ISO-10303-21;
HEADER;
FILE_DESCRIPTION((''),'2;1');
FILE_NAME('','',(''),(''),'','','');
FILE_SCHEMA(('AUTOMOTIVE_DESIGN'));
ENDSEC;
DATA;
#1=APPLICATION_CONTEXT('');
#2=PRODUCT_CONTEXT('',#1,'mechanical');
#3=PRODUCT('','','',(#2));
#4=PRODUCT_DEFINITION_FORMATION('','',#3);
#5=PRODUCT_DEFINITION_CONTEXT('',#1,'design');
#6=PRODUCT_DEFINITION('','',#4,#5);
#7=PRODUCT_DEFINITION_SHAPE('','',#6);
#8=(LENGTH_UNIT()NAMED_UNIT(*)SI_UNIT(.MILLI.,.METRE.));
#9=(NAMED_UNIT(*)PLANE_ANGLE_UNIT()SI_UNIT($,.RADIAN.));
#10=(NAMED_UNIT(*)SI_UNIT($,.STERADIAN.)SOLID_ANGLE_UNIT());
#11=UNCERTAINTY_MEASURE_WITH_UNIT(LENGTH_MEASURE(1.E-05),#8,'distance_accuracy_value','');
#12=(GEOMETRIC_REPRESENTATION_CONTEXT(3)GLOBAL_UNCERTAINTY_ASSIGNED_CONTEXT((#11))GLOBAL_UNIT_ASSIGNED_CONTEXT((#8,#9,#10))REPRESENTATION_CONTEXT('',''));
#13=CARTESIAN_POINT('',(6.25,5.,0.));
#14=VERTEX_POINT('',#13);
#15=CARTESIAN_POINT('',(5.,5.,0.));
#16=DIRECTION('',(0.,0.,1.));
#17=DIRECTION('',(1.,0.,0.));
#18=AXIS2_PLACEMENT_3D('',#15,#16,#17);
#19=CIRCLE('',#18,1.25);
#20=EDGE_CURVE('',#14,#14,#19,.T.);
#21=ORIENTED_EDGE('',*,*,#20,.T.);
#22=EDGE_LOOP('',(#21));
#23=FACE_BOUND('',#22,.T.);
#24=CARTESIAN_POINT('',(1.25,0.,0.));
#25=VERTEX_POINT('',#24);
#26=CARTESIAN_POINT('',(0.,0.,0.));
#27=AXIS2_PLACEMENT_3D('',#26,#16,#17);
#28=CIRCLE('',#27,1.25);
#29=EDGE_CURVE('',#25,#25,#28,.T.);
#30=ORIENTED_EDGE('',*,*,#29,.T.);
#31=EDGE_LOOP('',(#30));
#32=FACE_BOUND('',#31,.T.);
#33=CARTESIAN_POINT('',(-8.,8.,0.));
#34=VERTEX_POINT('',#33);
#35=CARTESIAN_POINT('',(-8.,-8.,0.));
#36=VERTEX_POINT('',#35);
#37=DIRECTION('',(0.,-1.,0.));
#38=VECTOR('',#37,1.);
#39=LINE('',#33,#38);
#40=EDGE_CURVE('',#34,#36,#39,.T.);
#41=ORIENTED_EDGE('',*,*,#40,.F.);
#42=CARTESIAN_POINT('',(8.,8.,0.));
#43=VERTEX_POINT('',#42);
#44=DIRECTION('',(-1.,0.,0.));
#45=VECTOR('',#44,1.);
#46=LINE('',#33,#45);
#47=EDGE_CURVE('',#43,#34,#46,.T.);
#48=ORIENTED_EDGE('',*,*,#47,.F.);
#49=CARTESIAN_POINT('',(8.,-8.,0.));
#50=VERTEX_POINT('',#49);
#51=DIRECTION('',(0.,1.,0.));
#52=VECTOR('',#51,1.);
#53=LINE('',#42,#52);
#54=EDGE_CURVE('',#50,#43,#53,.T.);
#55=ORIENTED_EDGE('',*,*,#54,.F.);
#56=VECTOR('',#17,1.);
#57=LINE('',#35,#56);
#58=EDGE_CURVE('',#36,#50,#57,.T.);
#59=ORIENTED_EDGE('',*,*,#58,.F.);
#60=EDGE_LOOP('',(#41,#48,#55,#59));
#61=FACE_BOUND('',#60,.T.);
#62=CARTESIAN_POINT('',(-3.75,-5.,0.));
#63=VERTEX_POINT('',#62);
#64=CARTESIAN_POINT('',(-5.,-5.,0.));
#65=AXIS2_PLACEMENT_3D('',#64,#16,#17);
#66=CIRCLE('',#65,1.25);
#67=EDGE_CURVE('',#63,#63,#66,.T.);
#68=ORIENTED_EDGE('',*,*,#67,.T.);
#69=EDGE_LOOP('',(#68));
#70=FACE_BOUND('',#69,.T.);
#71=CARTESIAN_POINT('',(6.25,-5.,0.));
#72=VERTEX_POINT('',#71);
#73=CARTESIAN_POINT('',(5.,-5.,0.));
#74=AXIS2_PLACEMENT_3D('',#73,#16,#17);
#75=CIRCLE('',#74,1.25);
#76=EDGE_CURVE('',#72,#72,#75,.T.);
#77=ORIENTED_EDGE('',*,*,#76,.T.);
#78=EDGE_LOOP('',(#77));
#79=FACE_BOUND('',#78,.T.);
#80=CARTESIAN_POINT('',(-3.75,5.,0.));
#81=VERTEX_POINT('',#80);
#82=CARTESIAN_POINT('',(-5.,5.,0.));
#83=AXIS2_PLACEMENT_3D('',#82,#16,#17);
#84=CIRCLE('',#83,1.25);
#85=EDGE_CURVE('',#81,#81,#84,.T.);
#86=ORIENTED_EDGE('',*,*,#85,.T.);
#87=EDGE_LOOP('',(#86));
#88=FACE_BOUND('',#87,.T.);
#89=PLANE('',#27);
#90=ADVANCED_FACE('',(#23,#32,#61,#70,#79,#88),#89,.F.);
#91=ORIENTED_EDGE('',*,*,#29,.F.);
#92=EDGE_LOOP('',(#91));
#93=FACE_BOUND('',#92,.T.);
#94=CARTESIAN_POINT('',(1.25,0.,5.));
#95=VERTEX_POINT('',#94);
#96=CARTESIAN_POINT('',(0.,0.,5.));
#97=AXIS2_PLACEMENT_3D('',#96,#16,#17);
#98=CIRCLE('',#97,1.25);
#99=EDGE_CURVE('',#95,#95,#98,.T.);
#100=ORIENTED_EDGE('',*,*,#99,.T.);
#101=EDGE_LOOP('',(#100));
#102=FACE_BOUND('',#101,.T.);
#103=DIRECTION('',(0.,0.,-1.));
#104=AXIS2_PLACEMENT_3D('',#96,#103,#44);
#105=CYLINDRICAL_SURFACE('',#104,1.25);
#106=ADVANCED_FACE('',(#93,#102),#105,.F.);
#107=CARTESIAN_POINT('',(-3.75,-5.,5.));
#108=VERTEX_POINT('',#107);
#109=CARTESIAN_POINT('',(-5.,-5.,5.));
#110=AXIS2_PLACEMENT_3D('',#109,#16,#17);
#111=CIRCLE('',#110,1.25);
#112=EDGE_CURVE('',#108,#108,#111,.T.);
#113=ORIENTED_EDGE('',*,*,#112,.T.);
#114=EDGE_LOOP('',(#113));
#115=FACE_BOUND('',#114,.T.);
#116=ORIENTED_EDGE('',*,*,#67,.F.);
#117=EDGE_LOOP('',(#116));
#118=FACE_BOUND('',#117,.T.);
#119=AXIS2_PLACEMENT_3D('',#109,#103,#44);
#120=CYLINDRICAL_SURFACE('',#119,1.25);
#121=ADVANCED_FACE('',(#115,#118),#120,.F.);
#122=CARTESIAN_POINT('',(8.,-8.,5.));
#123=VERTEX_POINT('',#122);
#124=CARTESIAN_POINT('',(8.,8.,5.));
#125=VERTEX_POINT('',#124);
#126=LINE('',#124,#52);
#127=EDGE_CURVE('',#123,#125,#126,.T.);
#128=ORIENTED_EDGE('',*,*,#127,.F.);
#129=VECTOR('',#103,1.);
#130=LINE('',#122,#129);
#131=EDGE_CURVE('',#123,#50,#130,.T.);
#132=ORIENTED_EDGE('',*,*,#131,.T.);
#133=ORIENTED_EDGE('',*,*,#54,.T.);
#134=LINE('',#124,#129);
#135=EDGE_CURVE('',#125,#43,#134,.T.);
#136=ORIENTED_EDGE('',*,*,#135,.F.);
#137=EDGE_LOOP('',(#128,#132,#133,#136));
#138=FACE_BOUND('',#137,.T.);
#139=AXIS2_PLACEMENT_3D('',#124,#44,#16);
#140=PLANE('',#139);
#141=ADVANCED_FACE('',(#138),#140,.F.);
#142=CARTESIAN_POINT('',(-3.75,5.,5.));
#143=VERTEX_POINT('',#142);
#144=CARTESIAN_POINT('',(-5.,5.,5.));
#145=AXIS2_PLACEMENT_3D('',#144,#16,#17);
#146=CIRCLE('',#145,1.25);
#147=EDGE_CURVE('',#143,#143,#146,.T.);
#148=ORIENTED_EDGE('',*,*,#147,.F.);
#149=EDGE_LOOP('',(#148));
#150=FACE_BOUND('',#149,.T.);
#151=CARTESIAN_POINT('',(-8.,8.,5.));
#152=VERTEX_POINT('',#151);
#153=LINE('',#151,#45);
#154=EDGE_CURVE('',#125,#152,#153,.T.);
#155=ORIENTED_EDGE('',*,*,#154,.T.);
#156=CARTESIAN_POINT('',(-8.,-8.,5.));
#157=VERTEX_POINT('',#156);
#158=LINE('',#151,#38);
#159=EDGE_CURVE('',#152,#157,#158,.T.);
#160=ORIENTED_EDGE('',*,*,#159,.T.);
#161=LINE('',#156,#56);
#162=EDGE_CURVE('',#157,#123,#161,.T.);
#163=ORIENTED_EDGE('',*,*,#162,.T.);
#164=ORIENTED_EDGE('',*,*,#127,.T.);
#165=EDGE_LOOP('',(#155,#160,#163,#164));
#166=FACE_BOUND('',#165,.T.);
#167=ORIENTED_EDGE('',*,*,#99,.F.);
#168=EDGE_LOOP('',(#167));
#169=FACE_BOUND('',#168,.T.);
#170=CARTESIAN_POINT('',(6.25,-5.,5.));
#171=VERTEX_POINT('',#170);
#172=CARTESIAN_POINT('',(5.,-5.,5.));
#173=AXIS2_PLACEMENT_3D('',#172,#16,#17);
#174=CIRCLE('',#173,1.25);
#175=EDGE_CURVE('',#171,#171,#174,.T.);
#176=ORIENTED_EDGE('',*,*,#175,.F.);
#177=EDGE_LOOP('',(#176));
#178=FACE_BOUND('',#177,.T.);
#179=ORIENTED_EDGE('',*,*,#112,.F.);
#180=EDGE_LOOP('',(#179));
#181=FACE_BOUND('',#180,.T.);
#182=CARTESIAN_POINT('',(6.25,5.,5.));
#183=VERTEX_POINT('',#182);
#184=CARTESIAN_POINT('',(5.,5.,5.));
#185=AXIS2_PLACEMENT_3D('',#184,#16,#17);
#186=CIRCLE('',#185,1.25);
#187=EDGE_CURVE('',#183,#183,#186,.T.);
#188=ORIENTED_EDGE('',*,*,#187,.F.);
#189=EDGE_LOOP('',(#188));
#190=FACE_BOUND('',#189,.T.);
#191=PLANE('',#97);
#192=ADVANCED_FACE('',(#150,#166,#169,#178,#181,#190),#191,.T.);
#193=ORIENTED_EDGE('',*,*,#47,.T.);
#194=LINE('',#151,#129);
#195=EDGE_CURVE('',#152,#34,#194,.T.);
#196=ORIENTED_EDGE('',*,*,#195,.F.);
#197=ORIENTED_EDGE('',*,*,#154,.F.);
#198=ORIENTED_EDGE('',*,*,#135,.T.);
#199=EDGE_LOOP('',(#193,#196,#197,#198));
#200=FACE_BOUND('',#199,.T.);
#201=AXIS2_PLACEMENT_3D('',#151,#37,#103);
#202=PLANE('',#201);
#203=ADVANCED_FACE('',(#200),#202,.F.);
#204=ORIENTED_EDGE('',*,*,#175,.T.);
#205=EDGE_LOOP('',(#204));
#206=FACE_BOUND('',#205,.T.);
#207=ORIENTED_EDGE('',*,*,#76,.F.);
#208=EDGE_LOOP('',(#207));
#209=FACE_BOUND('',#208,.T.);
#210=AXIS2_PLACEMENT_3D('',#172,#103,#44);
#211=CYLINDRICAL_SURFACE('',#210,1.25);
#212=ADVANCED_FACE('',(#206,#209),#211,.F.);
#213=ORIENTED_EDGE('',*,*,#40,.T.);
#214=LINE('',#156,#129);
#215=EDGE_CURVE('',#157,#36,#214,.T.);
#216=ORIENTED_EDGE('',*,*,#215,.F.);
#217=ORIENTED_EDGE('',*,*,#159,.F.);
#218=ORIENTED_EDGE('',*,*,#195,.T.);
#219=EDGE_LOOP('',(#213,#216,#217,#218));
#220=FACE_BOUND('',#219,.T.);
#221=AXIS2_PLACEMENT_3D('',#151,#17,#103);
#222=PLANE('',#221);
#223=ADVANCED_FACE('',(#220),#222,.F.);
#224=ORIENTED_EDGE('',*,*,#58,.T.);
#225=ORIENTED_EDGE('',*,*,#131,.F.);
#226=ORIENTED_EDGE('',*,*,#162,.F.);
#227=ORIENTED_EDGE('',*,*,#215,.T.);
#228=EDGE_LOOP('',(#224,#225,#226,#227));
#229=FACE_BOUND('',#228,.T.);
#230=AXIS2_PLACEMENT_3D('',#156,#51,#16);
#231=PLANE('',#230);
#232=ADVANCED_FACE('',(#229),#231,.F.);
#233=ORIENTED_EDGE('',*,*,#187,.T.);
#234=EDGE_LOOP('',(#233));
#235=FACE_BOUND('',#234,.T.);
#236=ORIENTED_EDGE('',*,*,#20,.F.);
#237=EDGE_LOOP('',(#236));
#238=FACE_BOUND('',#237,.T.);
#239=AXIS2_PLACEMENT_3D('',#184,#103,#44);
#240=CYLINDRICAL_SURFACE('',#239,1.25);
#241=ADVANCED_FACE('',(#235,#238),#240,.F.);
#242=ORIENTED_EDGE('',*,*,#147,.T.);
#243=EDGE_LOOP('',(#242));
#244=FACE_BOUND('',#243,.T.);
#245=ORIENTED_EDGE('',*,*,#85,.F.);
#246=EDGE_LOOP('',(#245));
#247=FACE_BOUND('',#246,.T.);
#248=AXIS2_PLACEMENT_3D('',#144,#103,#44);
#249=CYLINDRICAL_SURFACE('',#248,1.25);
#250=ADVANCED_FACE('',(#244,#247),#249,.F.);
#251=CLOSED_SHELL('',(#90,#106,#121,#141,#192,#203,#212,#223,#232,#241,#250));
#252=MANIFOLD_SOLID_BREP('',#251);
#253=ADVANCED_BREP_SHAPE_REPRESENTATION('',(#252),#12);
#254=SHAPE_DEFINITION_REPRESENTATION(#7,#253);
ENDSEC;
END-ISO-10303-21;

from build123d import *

# Parameters (mm, degrees)
SKETCH1_W           = 16
SKETCH1_H           = 16
SKETCH1_R           = 1.25
BOSS_EXTRUDE1_DEPTH = 5


with BuildPart() as part:
    # Sketch1 → Boss-Extrude1 (new body)
    with BuildSketch(Plane.XY):
        Rectangle(SKETCH1_W, SKETCH1_H)
        with Locations((-5, 5)):
            Circle(SKETCH1_R, mode=Mode.SUBTRACT)
        with Locations((5, 5)):
            Circle(SKETCH1_R, mode=Mode.SUBTRACT)
        with Locations((5, -5)):
            Circle(SKETCH1_R, mode=Mode.SUBTRACT)
        with Locations((-5, -5)):
            Circle(SKETCH1_R, mode=Mode.SUBTRACT)
        Circle(SKETCH1_R, mode=Mode.SUBTRACT)
    extrude(amount=BOSS_EXTRUDE1_DEPTH)


solid = part.part
